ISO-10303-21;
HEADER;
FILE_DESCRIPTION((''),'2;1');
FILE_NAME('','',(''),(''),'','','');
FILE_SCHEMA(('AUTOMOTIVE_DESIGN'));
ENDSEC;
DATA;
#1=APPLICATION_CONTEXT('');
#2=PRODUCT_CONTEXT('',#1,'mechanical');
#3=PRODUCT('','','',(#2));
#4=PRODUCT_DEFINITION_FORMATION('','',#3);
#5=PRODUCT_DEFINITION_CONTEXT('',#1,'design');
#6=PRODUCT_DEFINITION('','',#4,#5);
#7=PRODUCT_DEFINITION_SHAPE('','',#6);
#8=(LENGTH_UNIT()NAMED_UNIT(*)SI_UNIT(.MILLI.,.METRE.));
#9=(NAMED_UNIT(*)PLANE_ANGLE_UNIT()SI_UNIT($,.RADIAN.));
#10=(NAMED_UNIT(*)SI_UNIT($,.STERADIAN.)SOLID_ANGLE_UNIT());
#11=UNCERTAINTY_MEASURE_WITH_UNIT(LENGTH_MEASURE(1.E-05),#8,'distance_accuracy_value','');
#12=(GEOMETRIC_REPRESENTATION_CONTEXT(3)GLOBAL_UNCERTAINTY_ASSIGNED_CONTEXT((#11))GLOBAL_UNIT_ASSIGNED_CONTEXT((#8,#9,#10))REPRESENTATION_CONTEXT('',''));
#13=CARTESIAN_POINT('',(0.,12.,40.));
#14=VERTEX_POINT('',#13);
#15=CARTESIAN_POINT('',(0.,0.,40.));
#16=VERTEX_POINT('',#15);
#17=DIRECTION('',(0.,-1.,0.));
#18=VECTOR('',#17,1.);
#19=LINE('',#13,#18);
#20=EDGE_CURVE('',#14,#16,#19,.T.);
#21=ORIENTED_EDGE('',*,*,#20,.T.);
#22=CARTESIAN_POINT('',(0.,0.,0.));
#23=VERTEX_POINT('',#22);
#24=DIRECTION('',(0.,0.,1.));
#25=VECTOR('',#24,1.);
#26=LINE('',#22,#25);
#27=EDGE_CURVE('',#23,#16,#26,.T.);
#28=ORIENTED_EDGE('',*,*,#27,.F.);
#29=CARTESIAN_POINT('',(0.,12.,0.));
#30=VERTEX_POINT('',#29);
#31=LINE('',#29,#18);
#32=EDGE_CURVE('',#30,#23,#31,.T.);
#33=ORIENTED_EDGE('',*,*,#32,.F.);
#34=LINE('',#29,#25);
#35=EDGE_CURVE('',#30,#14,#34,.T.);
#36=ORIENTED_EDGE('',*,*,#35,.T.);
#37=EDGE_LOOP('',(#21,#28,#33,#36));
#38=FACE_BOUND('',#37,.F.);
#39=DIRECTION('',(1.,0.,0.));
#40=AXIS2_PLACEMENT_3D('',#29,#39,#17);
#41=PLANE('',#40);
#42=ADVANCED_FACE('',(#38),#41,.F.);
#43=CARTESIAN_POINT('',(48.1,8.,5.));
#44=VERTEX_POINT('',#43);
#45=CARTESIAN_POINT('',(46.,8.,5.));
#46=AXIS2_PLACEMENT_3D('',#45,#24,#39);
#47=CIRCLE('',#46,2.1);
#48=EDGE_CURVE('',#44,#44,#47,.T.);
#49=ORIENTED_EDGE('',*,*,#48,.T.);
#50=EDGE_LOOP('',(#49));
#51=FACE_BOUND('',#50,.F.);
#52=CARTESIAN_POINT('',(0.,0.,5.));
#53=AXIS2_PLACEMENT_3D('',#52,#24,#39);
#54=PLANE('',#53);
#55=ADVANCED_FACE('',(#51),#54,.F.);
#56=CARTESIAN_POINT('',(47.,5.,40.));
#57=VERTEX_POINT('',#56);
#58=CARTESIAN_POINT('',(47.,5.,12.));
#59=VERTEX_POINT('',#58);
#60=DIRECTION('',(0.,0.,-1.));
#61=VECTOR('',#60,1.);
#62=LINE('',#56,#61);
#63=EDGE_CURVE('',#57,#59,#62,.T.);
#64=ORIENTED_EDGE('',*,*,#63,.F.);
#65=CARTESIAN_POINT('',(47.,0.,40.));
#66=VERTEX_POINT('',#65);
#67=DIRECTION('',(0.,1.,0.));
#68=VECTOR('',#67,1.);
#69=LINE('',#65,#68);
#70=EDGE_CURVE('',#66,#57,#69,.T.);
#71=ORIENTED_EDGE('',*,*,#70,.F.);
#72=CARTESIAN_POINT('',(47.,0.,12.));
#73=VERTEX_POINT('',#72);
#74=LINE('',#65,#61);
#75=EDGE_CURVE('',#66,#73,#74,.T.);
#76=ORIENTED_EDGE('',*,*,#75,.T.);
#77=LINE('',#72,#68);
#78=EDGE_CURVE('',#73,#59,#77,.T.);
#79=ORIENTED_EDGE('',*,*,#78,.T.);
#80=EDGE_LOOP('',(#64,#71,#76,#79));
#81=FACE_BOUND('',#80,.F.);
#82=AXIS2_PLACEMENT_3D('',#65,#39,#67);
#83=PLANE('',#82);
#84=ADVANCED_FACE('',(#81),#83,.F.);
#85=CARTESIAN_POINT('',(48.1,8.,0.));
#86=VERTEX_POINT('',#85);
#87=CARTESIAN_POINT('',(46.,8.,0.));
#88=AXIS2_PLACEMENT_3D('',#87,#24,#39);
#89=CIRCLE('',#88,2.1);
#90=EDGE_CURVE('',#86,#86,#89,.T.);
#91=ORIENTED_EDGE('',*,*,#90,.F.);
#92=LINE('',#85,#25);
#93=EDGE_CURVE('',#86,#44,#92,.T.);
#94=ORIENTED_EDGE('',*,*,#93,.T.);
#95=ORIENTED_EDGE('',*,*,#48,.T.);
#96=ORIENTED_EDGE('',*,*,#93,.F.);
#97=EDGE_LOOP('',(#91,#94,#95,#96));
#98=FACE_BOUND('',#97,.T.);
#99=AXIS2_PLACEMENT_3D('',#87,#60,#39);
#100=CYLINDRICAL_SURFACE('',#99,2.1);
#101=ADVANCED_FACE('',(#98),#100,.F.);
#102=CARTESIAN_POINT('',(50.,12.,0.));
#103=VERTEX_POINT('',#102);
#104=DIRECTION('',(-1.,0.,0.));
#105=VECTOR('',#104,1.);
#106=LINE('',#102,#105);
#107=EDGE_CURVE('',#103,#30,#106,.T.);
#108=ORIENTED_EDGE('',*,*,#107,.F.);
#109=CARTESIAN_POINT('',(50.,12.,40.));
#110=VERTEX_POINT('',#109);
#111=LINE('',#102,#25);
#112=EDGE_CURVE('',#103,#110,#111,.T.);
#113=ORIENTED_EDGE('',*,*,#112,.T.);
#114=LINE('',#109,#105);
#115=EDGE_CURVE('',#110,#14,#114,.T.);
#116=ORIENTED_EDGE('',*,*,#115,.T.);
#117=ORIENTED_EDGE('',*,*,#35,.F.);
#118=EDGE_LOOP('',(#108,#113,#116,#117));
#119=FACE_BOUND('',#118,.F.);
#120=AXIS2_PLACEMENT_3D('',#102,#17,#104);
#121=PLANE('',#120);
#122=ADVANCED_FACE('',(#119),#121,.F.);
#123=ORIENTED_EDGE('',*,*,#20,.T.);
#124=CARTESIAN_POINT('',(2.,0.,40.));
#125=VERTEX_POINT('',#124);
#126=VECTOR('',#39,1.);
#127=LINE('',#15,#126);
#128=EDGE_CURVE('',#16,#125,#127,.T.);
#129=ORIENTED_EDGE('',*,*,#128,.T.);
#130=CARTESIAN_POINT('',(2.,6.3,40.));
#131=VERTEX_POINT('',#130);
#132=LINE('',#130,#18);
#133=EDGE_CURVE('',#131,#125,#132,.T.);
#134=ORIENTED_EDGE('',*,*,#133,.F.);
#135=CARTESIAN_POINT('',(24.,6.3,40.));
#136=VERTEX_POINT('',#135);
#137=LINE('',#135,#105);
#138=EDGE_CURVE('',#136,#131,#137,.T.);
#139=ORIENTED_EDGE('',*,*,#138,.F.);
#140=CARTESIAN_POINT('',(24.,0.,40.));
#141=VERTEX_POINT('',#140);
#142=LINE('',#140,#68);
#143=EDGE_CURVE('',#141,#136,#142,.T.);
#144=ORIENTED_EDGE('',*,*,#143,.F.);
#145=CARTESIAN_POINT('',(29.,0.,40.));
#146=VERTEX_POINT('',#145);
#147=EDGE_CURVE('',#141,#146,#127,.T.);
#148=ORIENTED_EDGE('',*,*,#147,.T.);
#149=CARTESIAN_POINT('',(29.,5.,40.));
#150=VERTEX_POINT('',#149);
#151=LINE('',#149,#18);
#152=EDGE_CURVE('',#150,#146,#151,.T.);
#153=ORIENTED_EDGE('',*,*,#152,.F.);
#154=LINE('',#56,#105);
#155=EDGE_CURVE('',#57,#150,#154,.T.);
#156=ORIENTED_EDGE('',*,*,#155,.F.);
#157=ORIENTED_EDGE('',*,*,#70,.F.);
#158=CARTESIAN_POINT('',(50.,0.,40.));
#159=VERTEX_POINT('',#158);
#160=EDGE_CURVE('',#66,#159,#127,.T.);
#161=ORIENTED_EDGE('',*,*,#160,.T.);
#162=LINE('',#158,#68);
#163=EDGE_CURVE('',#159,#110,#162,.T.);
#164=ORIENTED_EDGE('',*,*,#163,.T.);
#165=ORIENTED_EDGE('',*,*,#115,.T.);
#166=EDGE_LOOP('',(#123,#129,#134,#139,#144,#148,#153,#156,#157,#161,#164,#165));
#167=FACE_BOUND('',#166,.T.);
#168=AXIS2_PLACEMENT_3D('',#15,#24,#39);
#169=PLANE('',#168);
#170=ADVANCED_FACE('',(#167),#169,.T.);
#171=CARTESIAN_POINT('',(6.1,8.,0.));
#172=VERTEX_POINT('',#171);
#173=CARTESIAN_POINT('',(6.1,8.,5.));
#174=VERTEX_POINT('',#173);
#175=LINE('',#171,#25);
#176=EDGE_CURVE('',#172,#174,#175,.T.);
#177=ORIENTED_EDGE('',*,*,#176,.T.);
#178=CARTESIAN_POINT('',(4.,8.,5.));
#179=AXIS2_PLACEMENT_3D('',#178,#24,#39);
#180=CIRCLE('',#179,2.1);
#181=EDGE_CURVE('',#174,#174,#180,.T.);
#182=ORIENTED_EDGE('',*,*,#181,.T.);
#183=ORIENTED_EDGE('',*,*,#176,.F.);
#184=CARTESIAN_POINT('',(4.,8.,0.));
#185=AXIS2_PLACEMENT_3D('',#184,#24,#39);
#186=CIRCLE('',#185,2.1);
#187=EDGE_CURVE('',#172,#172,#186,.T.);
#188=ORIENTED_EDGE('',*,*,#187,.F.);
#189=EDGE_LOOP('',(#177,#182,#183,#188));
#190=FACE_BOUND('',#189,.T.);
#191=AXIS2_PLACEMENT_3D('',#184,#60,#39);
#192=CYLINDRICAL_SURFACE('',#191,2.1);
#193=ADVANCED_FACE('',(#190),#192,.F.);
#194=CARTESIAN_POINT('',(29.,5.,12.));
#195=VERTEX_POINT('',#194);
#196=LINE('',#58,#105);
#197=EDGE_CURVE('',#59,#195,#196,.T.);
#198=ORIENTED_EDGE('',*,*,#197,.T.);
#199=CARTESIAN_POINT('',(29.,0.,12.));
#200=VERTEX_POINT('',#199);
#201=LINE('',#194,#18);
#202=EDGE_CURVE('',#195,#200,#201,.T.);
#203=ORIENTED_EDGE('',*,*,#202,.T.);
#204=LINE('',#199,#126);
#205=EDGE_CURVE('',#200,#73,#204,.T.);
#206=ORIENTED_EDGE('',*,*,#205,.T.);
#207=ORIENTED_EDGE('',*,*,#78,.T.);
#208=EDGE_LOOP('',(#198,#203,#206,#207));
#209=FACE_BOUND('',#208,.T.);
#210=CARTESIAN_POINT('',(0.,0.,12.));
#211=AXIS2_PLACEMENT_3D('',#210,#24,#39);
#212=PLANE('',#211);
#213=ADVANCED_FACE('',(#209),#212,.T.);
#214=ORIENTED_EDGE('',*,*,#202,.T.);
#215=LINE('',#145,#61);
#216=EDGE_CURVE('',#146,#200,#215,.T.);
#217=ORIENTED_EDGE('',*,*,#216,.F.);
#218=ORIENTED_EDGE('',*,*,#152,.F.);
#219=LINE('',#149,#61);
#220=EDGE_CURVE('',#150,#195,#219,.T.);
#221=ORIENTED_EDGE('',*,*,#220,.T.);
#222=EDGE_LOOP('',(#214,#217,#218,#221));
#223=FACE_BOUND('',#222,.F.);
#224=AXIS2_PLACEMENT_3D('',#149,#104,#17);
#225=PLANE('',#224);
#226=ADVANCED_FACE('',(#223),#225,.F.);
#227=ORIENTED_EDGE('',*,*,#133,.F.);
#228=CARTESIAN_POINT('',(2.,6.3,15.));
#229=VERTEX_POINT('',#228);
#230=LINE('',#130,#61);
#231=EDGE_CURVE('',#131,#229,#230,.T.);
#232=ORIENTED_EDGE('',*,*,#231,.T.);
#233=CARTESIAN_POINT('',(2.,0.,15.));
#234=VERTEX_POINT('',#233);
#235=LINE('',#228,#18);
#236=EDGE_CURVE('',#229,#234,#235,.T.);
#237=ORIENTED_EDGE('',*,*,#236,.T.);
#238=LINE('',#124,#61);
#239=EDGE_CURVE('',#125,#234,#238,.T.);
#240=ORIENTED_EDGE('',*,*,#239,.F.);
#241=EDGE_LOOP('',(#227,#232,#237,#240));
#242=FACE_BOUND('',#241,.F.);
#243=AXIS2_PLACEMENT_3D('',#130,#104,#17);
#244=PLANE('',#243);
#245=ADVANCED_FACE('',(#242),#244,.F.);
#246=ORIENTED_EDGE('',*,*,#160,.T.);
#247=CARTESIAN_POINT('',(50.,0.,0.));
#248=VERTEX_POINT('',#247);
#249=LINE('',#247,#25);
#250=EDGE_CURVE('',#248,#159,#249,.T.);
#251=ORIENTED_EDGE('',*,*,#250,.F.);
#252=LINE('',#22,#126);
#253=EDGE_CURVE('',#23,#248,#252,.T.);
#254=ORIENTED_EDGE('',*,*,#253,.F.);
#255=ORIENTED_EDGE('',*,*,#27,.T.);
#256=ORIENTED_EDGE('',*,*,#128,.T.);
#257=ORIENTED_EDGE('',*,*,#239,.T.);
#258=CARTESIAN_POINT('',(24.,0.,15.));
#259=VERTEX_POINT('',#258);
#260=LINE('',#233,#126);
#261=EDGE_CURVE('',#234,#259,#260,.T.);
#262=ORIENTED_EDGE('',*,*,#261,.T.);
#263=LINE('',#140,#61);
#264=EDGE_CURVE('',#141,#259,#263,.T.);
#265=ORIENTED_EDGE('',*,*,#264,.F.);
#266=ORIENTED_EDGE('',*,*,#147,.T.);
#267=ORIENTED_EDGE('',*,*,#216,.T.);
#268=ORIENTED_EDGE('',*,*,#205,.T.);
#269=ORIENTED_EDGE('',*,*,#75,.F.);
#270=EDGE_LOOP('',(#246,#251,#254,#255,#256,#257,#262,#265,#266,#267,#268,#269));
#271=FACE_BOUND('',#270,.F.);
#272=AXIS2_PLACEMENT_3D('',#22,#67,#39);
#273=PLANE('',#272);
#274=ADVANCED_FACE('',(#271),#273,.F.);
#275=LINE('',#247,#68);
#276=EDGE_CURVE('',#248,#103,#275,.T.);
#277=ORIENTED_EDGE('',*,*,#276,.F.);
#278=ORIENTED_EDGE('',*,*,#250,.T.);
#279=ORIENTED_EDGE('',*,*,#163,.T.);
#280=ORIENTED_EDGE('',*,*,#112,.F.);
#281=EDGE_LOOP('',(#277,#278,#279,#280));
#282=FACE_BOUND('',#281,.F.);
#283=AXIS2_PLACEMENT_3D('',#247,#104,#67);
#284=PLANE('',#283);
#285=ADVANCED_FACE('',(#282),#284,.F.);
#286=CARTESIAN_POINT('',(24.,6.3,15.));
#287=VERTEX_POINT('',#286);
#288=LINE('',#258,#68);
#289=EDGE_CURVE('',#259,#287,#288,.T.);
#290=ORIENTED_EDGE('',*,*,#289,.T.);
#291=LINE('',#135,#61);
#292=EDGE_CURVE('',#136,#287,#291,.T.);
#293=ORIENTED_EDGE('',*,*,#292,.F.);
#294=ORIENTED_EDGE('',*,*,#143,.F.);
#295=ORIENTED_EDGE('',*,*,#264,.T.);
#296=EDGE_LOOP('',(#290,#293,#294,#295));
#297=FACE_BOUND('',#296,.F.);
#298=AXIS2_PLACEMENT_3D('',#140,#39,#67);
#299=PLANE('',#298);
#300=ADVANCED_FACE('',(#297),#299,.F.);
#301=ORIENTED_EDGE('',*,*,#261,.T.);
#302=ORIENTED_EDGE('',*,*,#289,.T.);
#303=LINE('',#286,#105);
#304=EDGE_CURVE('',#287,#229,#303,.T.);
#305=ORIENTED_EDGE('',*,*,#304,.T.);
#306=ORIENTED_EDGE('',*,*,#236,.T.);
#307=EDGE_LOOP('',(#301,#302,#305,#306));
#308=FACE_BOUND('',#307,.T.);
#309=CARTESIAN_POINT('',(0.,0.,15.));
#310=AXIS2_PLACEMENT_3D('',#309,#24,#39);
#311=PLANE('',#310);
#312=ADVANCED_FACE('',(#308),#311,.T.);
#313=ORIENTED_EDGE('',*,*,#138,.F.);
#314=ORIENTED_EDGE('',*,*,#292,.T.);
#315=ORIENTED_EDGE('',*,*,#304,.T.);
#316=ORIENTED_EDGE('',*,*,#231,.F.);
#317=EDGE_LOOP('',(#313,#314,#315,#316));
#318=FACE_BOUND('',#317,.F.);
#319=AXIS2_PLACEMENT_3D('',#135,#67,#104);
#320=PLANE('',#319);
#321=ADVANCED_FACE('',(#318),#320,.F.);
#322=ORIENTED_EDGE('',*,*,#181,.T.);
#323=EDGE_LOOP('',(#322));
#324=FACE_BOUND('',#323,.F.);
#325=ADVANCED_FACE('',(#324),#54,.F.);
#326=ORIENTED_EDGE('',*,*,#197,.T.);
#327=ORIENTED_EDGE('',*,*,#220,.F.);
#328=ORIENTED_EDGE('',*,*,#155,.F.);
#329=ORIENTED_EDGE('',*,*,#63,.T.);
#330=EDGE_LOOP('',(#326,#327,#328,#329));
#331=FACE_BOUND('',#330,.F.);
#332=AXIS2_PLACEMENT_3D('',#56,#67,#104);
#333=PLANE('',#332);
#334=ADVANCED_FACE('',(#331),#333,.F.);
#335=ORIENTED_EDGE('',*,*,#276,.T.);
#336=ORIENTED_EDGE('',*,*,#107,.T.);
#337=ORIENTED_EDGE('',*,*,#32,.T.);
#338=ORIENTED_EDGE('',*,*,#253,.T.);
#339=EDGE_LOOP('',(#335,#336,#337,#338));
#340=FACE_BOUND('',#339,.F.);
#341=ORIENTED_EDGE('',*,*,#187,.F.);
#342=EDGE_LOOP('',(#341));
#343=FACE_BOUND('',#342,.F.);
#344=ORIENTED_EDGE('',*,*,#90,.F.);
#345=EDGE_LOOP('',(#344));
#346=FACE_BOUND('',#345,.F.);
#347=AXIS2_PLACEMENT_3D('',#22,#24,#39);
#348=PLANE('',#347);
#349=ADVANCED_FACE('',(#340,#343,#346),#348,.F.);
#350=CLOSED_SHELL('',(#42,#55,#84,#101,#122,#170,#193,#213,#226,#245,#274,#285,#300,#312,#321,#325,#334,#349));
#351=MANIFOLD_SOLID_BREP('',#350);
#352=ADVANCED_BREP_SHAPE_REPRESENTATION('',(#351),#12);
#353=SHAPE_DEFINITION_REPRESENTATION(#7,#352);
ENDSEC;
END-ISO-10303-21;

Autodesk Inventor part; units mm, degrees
ref_plane "YZ Plane" through (0, 0, 0) normal (1, 0, 0) x (0, 1, 0)
ref_plane "XZ Plane" through (0, 0, 0) normal (0, 1, 0) x (-1, 0, 0)
sketch "Skizze1" plane through (0, 0, 0) normal (0, 0, 1) x (1, 0, 0)
  line L0 (0, 0) -> (50, 0)
  line L1 (50, 0) -> (50, 12)
  line L2 (50, 12) -> (0, 12)
  line L3 (0, 12) -> (0, 0)
extrude "Extrusion1" add sketch "Skizze1" along normal blind 40
ref_plane "Arbeitsebene1" through (0, 0, 40) normal (0, 0, 1) x (1, 0, 0)
sketch "Skizze2" plane through (0, 0, 40) normal (0, 0, 1) x (1, 0, 0)
  line L0 (29, 0) -> (47, 0)
  line L1 (47, 0) -> (47, 5)
  line L2 (47, 5) -> (29, 5)
  line L3 (29, 5) -> (29, 0)
extrude "Extrusion2" cut sketch "Skizze2" against normal blind 28
sketch "Skizze3" plane through (0, 0, 40) normal (0, 0, 1) x (1, 0, 0)
  line L0 (2, 0) -> (24, 0)
  line L1 (24, 0) -> (24, 6.3)
  line L2 (24, 6.3) -> (2, 6.3)
  line L3 (2, 6.3) -> (2, 0)
extrude "Extrusion3" cut sketch "Skizze3" against normal blind 25
sketch "Skizze4" plane through (0, 0, 0) normal (0, 1, 0) x (-1, 0, 0)
  circle A0 centre (38, 20) radius 2
extrude "Extrusion4" cut sketch "Skizze4" along normal mid plane 30
sketch "Skizze5" plane through (0, 0, 40) normal (0, 0, 1) x (1, 0, 0)
  circle A0 centre (13, 0) radius 2.5
extrude "Extrusion5" cut sketch "Skizze5" against normal blind 5
sketch "Skizze6" plane through (0, 0, 0) normal (0, 0, 1) x (1, 0, 0)
  circle A0 centre (4, -8) radius 2.1
  circle A1 centre (4, 8) radius 2.1
  circle A2 centre (46, -8) radius 2.1
  circle A3 centre (46, 8) radius 2.1
extrude "Extrusion6" cut sketch "Skizze6" along normal blind 5
properties part number "Motorhalterung"
